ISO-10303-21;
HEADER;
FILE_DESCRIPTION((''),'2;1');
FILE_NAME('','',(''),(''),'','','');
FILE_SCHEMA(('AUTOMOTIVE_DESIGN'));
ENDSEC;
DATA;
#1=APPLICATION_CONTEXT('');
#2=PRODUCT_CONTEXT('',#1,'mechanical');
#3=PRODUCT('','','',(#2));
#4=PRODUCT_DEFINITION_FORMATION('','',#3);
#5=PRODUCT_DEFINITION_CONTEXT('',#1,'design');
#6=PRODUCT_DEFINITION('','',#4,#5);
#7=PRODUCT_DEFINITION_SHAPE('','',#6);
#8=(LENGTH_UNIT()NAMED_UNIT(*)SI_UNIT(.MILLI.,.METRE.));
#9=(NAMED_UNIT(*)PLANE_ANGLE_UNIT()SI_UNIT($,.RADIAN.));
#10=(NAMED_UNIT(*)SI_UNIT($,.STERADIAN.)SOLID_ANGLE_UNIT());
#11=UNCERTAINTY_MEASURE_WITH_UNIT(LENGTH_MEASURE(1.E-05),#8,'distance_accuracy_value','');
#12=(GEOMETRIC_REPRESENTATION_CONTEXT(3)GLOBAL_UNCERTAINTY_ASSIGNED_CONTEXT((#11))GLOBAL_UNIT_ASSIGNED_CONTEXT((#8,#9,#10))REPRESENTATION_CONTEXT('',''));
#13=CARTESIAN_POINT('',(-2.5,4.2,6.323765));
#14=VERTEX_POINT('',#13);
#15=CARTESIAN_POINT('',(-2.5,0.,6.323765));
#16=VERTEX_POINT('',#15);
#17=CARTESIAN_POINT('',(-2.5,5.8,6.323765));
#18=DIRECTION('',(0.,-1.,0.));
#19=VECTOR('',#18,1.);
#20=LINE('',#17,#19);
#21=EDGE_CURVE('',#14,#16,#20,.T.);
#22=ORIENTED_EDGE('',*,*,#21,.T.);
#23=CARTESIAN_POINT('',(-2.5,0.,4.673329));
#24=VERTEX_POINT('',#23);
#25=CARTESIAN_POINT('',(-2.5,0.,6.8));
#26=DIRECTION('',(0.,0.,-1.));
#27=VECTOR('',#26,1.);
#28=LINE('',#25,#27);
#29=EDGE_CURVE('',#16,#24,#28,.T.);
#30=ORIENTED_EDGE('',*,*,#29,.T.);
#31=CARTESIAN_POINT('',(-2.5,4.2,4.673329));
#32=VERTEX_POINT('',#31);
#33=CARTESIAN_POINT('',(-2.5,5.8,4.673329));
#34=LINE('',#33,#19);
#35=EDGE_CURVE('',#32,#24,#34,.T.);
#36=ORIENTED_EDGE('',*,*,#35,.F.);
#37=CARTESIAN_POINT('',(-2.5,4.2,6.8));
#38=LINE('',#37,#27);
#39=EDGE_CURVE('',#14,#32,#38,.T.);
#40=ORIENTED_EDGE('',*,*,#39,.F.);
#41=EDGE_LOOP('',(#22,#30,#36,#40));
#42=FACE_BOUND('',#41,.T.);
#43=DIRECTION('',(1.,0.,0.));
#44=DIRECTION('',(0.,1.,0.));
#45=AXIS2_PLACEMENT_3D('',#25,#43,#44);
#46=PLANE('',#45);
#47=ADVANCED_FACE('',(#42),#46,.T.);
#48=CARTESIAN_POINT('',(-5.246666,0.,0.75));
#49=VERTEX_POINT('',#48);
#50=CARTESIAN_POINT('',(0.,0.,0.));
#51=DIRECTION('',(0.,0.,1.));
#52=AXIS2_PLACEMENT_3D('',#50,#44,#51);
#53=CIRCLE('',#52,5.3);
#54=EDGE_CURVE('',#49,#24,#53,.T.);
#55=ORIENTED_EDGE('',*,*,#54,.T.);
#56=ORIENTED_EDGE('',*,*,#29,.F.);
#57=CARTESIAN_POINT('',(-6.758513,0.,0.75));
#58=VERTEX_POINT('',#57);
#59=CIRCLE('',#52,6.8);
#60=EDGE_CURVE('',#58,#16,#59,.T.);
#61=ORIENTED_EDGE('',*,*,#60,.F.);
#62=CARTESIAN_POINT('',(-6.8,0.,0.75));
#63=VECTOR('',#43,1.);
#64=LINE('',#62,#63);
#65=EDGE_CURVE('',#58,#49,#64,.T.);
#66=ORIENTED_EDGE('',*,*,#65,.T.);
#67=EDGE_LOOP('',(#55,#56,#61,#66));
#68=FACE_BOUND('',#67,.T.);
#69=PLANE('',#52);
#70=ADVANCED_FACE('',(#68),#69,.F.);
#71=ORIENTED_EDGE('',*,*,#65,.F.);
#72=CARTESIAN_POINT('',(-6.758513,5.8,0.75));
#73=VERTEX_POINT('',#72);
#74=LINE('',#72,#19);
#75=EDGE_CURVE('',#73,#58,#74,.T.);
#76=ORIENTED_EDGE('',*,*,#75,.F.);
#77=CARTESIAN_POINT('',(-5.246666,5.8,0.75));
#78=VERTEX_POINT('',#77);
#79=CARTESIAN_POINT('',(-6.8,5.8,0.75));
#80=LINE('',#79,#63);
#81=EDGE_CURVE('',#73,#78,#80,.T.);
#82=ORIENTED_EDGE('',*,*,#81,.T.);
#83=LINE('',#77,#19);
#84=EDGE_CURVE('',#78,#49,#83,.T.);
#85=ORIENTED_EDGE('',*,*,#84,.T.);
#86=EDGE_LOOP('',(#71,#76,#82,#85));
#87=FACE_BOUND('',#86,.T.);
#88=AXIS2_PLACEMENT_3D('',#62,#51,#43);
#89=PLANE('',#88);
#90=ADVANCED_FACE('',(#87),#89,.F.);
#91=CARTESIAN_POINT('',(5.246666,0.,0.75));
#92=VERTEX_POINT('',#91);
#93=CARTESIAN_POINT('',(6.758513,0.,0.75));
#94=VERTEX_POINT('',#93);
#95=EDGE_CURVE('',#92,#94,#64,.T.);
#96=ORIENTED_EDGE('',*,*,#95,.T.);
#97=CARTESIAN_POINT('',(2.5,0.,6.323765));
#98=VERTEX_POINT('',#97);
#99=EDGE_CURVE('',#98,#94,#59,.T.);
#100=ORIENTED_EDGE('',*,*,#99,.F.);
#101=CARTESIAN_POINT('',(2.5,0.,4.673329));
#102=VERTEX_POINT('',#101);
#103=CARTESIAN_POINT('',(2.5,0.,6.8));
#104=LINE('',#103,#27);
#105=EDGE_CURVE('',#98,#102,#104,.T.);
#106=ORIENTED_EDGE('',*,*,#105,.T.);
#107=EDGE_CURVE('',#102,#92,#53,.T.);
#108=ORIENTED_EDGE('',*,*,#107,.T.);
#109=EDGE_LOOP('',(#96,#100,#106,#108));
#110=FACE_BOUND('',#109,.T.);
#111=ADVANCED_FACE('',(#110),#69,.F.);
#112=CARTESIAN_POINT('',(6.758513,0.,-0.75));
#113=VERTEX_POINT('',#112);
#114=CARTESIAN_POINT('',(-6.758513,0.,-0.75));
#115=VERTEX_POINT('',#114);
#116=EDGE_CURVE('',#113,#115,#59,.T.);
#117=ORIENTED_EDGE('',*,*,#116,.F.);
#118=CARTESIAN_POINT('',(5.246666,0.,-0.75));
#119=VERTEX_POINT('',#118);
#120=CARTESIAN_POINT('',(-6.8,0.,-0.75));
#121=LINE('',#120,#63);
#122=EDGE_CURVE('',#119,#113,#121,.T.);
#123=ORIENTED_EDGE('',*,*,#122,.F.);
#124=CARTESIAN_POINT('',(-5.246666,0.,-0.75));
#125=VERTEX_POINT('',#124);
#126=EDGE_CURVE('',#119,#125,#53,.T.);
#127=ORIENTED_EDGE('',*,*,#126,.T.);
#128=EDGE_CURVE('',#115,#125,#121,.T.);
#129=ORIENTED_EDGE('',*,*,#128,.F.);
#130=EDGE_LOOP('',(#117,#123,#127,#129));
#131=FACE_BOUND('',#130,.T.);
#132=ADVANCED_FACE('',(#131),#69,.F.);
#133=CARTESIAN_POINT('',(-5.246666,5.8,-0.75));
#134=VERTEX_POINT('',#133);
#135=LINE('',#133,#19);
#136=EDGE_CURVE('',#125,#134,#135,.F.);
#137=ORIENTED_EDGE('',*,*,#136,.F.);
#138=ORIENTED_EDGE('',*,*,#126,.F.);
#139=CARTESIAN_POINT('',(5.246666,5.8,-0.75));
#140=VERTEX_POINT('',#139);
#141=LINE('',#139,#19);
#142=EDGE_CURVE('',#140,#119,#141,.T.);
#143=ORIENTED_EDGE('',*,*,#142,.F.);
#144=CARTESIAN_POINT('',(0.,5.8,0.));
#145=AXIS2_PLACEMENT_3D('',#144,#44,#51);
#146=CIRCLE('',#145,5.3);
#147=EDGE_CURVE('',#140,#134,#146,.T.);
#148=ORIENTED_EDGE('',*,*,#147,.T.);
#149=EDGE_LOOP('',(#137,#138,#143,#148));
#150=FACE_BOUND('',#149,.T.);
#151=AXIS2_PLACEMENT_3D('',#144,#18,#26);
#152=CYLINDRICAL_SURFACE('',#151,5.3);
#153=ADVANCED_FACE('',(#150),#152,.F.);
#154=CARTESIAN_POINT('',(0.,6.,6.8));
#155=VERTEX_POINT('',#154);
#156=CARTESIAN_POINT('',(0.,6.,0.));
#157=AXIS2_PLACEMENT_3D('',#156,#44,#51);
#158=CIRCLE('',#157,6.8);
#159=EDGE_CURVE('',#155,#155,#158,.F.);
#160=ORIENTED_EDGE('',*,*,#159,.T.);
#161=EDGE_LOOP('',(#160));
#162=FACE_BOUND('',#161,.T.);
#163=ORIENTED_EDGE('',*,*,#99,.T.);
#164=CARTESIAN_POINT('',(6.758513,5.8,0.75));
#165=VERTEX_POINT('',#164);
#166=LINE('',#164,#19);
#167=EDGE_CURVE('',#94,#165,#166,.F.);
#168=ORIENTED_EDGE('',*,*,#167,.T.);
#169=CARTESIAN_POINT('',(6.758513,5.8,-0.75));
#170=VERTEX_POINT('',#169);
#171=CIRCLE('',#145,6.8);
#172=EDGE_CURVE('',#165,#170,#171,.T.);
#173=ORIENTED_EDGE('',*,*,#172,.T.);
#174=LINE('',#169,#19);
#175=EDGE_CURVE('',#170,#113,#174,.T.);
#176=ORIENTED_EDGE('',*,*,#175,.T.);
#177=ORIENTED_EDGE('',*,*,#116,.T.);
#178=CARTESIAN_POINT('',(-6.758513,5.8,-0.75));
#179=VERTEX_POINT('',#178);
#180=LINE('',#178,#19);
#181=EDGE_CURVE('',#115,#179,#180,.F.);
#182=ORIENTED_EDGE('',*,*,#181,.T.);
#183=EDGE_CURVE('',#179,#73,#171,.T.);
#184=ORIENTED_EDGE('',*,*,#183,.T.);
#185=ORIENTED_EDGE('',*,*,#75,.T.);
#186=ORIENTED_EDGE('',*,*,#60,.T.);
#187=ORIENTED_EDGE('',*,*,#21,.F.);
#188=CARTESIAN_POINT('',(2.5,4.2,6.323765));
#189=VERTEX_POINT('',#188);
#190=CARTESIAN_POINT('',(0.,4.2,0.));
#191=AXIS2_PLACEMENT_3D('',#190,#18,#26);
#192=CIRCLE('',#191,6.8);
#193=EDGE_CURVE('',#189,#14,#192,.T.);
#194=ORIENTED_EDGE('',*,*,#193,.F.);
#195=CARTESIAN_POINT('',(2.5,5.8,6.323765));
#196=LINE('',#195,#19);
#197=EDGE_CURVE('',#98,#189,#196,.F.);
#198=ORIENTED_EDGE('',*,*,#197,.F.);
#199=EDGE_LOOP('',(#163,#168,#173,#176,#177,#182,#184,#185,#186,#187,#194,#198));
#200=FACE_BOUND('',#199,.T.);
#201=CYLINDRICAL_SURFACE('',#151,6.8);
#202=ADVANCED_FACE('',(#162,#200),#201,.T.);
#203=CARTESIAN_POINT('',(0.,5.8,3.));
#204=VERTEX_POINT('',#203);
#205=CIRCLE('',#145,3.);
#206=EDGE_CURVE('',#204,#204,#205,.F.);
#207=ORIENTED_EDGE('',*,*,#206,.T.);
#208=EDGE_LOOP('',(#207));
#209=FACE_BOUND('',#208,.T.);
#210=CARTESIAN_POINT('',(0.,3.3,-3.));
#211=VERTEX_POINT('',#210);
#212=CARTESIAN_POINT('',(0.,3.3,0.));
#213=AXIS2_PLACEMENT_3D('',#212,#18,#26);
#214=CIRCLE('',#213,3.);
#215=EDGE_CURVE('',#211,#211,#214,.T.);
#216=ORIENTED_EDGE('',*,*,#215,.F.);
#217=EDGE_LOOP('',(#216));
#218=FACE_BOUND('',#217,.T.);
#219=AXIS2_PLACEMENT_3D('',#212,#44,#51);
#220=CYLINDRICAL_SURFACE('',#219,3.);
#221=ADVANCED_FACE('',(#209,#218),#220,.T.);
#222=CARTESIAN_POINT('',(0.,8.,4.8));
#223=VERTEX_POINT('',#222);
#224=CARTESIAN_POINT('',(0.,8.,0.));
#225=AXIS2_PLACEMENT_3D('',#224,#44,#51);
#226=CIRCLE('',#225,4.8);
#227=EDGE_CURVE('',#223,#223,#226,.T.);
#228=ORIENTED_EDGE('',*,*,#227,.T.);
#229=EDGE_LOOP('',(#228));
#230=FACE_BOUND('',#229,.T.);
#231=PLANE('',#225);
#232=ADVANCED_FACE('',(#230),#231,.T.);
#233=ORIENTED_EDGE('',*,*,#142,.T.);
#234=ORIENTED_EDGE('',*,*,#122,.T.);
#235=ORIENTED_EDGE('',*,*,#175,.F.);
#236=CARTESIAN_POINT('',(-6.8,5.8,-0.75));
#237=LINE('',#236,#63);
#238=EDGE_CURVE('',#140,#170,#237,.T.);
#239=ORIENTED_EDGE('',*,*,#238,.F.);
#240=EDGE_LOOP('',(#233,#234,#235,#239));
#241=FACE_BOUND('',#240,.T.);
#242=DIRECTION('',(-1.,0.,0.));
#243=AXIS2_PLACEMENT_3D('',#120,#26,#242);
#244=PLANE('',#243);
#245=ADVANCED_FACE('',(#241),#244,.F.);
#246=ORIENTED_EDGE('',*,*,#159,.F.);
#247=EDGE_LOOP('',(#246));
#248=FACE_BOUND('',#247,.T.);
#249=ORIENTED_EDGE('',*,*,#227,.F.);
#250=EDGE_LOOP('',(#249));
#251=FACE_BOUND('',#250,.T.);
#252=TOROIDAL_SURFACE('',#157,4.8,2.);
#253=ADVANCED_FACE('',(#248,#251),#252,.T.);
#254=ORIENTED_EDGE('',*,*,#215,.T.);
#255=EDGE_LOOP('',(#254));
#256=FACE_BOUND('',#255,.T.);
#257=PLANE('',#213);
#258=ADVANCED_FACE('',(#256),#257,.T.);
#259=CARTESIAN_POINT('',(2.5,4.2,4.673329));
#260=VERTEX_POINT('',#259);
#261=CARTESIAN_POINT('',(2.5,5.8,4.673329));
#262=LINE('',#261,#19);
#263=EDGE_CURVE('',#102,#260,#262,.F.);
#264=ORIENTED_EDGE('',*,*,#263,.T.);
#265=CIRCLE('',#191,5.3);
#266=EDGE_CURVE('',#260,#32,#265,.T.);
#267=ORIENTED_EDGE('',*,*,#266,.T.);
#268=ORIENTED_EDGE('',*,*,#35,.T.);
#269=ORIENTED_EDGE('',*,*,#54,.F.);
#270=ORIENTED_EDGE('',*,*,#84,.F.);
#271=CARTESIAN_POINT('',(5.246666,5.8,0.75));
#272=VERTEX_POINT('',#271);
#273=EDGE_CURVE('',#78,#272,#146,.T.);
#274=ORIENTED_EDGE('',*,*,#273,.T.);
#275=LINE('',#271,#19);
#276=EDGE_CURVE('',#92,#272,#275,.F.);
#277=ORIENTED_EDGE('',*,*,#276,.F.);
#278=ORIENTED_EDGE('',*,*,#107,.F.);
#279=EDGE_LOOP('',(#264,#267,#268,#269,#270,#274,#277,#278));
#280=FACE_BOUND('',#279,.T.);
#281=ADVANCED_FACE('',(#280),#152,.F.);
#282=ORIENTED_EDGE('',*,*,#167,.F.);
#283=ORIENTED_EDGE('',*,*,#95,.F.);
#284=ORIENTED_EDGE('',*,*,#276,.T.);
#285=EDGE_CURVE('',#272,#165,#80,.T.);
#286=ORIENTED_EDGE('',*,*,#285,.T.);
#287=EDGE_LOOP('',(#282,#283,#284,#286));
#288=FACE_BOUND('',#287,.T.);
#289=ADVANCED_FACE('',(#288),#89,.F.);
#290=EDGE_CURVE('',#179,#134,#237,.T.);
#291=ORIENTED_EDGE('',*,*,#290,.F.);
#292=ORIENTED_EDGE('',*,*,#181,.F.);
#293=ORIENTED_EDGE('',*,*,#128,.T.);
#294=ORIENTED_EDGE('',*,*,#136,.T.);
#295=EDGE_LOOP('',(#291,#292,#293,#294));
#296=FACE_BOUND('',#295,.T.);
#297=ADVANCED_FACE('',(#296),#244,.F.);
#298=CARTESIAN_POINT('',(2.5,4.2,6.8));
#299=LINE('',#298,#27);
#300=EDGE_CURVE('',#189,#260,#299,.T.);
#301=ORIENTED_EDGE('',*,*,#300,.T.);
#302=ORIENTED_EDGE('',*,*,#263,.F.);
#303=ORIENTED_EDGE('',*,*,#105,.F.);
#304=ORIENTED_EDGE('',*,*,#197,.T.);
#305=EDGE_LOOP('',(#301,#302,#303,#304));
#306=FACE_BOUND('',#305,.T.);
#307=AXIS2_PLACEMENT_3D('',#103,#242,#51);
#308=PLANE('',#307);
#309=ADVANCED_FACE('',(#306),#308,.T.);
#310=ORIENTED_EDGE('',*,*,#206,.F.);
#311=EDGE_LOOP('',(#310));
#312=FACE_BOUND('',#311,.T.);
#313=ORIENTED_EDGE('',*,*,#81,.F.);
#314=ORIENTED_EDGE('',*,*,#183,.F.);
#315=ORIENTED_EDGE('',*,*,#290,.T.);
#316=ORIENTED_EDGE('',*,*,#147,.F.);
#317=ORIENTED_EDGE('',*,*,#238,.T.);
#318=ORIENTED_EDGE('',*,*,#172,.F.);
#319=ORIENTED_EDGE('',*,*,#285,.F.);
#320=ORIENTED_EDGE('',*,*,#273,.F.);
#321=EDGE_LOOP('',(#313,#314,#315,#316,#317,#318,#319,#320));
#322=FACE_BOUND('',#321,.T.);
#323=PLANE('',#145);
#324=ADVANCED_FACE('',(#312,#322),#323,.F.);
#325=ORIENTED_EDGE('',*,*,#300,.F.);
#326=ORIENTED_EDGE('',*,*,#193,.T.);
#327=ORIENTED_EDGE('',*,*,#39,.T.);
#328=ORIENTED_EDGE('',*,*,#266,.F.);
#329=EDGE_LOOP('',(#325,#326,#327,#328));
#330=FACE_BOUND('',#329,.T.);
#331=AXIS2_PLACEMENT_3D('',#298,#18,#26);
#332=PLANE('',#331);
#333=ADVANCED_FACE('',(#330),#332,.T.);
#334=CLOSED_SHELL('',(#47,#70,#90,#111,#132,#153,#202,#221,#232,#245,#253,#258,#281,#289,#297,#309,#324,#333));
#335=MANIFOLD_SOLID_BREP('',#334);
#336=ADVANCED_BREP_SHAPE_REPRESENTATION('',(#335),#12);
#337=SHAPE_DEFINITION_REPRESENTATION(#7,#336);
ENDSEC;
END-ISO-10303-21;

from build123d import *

# Parameters (mm, degrees)
SKETCH1_R               = 6.8
SKETCH1_R_2             = 5.3
BOSS_EXTRUDE1_DEPTH     = 5.8
SKETCH2_R               = 6.8
BOSS_EXTRUDE2_DEPTH     = 2.2
FILLET1_R               = 2
SKETCH4_W               = 5
SKETCH4_H               = 4.2
CUT_EXTRUDE1_DEPTH      = 13.509196726
CUT_EXTRUDE2_DEPTH      = 13.509196726
CUT_EXTRUDE2_DEPTH_BACK = 13.509196726
SKETCH5_W               = 1.5
SKETCH5_H               = 5.8
SKETCH3_R               = 3
BOSS_EXTRUDE3_DEPTH     = 2.5


with BuildPart() as part:
    # Sketch1 → Boss-Extrude1 (new body)
    with BuildSketch(Plane(origin=(0, 0, 0), x_dir=(1, 0, 0), z_dir=(0, 1, 0))):
        with Locations(Location((0, 0, 0), (0, 0, 270))):
            Circle(SKETCH1_R)
        with Locations(Location((0, 0, 0), (0, 0, 270))):
            Circle(SKETCH1_R_2, mode=Mode.SUBTRACT)
    extrude(amount=BOSS_EXTRUDE1_DEPTH)

    # Sketch2 → Boss-Extrude2 (add)
    with BuildSketch(Plane(origin=(0, 5.8, 0), x_dir=(1, 0, 0), z_dir=(0, 1, 0))):
        with Locations(Location((0, 0, 0), (0, 0, 270))):
            Circle(SKETCH2_R)
    extrude(amount=BOSS_EXTRUDE2_DEPTH)

    # Fillet1
    fillet1_edges = [part.edges().sort_by_distance(p)[0] for p in [
        (0, 8, -6.8),
    ]]
    fillet(fillet1_edges, radius=FILLET1_R)

    # Sketch4 → Cut-Extrude1 (cut, through all)
    with BuildSketch(Plane.XY):
        with Locations((0, 2.1)):
            Rectangle(SKETCH4_W, SKETCH4_H)
    extrude(amount=CUT_EXTRUDE1_DEPTH, mode=Mode.SUBTRACT)

    # Sketch5 → Cut-Extrude2 (cut, two sides: drawn at the far end of the back side and taken through both)
    with BuildSketch(Plane(origin=(0, 0, 0), x_dir=(0, 0, -1), z_dir=(1, 0, 0)).offset(-CUT_EXTRUDE2_DEPTH_BACK)):
        with Locations((0, 2.9)):
            Rectangle(SKETCH5_W, SKETCH5_H)
    extrude(amount=CUT_EXTRUDE2_DEPTH + CUT_EXTRUDE2_DEPTH_BACK, mode=Mode.SUBTRACT)

    # Sketch3 → Boss-Extrude3 (add)
    with BuildSketch(Plane.XZ.offset(-5.8)):
        with Locations(Location((0, 0, 0), (0, 0, 90))):
            Circle(SKETCH3_R)
    extrude(amount=BOSS_EXTRUDE3_DEPTH)


solid = part.part
